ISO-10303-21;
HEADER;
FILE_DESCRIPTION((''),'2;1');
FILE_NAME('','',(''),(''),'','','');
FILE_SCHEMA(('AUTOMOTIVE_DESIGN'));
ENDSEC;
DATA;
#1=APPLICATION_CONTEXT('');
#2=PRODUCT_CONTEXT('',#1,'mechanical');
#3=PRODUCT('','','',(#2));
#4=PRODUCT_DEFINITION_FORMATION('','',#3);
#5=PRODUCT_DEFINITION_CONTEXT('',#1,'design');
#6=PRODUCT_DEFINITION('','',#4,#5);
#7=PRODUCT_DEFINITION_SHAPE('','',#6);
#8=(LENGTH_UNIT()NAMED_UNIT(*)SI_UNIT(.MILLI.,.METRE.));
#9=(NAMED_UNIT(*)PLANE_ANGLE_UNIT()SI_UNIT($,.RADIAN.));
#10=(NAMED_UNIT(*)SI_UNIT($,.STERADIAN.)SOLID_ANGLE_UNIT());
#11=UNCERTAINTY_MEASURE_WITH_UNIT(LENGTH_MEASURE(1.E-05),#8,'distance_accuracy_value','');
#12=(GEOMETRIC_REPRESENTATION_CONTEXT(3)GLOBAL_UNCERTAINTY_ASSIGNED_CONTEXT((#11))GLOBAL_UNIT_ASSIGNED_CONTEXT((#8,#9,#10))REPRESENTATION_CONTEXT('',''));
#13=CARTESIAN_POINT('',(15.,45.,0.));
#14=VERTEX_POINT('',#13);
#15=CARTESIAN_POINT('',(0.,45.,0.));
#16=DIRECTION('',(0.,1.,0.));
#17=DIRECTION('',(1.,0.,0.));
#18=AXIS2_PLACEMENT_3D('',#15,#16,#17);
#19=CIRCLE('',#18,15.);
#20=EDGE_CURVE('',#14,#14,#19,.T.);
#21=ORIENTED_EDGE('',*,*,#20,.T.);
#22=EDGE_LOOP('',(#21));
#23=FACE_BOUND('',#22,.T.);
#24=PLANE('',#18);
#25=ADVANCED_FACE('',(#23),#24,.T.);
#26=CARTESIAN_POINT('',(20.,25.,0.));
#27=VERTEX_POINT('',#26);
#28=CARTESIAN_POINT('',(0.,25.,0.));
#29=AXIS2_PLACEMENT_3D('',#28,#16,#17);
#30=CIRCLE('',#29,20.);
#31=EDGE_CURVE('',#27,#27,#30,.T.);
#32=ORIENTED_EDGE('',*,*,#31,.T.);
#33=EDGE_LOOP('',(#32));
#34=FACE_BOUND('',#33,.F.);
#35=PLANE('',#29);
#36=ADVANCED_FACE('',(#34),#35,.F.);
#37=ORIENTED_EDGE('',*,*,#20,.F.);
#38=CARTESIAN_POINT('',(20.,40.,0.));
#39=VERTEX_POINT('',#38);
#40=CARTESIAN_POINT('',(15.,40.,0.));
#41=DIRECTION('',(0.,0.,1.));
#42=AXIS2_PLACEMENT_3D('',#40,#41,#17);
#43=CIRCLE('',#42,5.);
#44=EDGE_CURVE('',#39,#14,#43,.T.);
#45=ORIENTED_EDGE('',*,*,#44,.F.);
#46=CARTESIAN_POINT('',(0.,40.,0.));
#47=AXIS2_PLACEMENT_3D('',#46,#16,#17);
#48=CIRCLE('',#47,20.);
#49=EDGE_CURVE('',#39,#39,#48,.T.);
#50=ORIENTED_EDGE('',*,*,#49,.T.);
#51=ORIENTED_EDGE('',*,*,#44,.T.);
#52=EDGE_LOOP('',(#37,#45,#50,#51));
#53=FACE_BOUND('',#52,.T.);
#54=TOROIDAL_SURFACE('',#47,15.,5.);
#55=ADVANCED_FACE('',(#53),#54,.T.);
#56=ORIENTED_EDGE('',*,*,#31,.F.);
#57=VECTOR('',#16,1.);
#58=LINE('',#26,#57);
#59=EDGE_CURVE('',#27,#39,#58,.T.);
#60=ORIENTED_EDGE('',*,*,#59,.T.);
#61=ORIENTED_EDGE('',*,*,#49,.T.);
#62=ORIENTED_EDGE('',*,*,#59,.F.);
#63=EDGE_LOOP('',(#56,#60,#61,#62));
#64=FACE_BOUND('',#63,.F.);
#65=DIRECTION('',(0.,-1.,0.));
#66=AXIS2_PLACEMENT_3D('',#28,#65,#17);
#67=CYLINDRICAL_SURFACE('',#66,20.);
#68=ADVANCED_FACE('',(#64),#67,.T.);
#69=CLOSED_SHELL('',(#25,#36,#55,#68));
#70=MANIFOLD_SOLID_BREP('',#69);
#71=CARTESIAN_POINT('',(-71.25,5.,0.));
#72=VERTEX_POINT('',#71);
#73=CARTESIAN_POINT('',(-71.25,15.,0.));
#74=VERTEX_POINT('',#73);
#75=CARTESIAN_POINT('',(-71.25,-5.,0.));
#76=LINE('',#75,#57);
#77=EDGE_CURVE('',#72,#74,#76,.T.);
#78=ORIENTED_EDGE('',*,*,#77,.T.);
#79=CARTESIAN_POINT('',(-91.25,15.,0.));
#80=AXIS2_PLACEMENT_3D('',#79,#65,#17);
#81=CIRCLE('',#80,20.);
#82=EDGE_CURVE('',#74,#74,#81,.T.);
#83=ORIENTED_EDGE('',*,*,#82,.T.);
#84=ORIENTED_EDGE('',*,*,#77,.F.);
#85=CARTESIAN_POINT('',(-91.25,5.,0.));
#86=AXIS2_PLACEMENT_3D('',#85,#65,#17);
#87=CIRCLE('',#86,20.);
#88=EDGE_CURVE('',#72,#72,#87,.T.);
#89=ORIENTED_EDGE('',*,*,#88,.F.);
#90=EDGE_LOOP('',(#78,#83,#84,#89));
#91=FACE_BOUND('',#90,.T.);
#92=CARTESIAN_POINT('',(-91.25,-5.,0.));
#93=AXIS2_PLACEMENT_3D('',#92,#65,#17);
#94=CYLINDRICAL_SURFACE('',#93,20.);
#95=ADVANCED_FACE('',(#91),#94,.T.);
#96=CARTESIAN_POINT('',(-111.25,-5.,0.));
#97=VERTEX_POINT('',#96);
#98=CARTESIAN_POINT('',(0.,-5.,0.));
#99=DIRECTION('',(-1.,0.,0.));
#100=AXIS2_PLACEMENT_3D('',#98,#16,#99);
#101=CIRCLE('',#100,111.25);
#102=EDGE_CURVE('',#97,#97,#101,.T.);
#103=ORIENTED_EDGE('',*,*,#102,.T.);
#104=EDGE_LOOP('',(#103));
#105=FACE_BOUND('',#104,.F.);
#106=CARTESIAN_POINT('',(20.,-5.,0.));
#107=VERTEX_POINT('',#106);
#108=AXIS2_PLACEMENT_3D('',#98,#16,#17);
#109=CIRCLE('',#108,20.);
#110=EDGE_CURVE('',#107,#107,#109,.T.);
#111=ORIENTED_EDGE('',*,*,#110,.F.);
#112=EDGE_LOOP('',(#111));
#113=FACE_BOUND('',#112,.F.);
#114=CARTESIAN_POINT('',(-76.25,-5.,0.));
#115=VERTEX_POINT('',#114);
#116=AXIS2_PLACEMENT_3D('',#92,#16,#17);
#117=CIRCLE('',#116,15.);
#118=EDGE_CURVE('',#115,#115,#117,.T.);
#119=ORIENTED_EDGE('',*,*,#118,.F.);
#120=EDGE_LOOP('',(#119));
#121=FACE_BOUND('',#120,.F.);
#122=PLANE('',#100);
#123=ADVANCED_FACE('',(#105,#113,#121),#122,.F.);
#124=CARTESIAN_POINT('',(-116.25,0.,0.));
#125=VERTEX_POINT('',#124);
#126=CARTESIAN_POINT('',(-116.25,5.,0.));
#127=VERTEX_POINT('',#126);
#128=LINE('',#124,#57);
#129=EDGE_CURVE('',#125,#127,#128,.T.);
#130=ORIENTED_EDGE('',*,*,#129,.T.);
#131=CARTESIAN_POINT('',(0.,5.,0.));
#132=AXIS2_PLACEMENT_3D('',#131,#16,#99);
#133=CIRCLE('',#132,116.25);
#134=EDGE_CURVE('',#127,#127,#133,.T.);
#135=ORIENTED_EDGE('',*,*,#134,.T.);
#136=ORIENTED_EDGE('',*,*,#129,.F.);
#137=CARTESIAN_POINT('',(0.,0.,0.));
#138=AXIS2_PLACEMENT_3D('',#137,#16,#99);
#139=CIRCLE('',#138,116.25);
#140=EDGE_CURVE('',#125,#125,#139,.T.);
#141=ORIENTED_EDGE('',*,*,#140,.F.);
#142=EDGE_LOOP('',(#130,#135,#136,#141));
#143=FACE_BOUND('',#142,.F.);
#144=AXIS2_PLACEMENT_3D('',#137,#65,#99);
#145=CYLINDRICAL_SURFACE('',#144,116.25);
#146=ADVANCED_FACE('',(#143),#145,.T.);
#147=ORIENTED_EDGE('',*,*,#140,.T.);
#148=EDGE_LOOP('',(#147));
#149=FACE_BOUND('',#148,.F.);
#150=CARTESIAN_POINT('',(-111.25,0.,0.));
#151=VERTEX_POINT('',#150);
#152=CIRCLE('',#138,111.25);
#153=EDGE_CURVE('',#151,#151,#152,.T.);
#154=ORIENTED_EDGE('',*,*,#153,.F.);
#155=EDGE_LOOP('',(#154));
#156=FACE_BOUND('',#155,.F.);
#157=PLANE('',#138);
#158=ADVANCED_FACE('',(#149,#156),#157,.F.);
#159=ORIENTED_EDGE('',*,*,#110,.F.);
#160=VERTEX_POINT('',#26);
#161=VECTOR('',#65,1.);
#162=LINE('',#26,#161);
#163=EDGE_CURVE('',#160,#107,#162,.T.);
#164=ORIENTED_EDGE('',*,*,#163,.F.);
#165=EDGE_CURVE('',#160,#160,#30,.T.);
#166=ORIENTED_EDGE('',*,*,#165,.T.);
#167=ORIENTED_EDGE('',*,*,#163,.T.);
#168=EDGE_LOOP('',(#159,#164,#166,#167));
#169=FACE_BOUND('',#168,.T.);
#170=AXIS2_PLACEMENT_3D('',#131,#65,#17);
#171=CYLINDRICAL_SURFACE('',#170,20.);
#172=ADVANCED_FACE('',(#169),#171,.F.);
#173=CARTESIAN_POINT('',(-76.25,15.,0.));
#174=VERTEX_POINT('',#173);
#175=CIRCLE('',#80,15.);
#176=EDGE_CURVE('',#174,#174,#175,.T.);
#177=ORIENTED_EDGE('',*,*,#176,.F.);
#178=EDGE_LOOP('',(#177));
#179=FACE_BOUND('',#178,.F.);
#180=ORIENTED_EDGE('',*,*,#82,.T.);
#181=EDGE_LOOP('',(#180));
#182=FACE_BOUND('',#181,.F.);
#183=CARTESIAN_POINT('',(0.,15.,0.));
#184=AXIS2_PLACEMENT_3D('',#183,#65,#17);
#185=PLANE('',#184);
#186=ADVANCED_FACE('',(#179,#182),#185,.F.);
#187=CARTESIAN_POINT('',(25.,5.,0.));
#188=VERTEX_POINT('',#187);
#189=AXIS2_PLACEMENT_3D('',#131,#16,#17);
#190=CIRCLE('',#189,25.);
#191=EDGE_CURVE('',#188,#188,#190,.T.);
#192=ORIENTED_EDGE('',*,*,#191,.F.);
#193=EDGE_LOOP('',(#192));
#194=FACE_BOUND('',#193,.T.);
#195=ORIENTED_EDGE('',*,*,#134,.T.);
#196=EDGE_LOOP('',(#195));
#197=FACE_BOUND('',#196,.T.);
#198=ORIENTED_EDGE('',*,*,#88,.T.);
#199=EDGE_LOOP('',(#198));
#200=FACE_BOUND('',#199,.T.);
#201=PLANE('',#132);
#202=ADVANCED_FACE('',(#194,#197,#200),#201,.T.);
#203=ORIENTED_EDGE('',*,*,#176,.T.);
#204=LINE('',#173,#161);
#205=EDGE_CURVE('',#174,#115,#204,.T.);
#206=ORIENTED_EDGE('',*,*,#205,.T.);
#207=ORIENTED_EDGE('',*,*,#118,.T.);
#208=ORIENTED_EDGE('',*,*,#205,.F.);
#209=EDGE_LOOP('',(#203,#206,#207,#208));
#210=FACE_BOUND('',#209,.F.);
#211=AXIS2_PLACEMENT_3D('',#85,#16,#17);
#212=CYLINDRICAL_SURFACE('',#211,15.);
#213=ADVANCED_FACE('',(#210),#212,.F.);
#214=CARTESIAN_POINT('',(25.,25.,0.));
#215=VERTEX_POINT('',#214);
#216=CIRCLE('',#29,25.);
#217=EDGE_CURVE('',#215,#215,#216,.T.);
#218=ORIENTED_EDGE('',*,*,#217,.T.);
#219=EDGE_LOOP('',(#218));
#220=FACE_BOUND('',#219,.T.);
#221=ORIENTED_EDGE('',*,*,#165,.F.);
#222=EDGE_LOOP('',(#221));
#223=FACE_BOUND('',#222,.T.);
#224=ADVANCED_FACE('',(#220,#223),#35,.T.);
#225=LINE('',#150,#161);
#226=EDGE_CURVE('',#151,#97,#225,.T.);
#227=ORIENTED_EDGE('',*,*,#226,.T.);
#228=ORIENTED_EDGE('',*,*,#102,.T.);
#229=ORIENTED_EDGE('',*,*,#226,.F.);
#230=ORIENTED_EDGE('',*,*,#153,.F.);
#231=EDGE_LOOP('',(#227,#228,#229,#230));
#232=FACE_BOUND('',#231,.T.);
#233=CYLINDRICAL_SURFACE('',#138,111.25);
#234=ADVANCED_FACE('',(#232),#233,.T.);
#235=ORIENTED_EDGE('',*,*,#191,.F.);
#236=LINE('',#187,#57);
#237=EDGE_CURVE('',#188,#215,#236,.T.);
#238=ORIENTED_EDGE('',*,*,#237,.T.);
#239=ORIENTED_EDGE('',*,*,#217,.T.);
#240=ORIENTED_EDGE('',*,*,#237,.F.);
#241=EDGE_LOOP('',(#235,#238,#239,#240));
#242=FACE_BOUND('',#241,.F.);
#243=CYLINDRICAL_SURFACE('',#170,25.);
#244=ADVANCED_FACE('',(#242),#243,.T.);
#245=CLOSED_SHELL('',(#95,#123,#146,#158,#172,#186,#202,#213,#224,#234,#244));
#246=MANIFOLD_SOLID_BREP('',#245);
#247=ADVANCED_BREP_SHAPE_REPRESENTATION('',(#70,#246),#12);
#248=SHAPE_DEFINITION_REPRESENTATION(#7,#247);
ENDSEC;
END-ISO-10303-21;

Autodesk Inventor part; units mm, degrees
ref_plane "YZ Plane" through (0, 0, 0) normal (1, 0, 0) x (0, 1, 0)
ref_plane "XZ Plane" through (0, 0, 0) normal (0, 1, 0) x (-1, 0, 0)
ref_plane "XY Plane" through (0, 0, 0) normal (0, 0, 1) x (1, 0, 0)
sketch "Skizze1" plane through (0, 0, 0) normal (0, 1, 0) x (-1, 0, 0)
  circle A0 centre (0, 0) radius 116.25
  circle A1 centre (0, 0) radius 111.25
  dimension "d0" = 222.5
  dimension "d1" = 232.5
extrude "Extrusion1" add sketch "Skizze1" against normal blind 5 contours A1
extrude "Extrusion2" add sketch "Skizze1" along normal blind 5 contours A0 | A1
sketch "Skizze2" plane through (0, 5, 0) normal (0, 1, 0) x (1, 0, 0)
  circle A0 centre (0, 0) radius 111.25 projected
  circle A1 centre (0, 0) radius 25
  circle A2 centre (0, 0) radius 20
  dimension "d6" = 50
  dimension "d7" = 40
extrude "Extrusion3" add sketch "Skizze2" along normal blind 20 contours A1
sketch "Skizze3" plane through (0, -5, 0) normal (0, -1, 0) x (1, 0, 0)
  circle A0 centre (-91.25, 0) radius 20
  circle A1 centre (-91.25, 0) radius 15
  circle A2 centre (0, 0) radius 111.25 projected
  dimension "d14" = 40
  dimension "d15" = 30
extrude "Extrusion5" add sketch "Skizze3" against normal blind 20 contours A0
sketch "Skizze4" plane through (-91.25, 5, 0) normal (0, 1, 0) x (1, 0, 0)
  circle A0 centre (0, 0) radius 15 projected
  circle A1 centre (91.25, 0) radius 20 projected
extrude "Extrusion6" cut sketch "Skizze4" against normal up to surface (10 mm away)
sketch "Skizze5" plane through (0, 25, 0) normal (0, 1, 0) x (1, 0, 0)
  circle A0 centre (0, 0) radius 20 projected
extrude "Extrusion7" add sketch "Skizze5" along normal blind 20
fillet "Rundung1" radius 5 1 edges at (-20, 45, 0)
properties part number "5" material "Stahl, Kohlenstoff"
